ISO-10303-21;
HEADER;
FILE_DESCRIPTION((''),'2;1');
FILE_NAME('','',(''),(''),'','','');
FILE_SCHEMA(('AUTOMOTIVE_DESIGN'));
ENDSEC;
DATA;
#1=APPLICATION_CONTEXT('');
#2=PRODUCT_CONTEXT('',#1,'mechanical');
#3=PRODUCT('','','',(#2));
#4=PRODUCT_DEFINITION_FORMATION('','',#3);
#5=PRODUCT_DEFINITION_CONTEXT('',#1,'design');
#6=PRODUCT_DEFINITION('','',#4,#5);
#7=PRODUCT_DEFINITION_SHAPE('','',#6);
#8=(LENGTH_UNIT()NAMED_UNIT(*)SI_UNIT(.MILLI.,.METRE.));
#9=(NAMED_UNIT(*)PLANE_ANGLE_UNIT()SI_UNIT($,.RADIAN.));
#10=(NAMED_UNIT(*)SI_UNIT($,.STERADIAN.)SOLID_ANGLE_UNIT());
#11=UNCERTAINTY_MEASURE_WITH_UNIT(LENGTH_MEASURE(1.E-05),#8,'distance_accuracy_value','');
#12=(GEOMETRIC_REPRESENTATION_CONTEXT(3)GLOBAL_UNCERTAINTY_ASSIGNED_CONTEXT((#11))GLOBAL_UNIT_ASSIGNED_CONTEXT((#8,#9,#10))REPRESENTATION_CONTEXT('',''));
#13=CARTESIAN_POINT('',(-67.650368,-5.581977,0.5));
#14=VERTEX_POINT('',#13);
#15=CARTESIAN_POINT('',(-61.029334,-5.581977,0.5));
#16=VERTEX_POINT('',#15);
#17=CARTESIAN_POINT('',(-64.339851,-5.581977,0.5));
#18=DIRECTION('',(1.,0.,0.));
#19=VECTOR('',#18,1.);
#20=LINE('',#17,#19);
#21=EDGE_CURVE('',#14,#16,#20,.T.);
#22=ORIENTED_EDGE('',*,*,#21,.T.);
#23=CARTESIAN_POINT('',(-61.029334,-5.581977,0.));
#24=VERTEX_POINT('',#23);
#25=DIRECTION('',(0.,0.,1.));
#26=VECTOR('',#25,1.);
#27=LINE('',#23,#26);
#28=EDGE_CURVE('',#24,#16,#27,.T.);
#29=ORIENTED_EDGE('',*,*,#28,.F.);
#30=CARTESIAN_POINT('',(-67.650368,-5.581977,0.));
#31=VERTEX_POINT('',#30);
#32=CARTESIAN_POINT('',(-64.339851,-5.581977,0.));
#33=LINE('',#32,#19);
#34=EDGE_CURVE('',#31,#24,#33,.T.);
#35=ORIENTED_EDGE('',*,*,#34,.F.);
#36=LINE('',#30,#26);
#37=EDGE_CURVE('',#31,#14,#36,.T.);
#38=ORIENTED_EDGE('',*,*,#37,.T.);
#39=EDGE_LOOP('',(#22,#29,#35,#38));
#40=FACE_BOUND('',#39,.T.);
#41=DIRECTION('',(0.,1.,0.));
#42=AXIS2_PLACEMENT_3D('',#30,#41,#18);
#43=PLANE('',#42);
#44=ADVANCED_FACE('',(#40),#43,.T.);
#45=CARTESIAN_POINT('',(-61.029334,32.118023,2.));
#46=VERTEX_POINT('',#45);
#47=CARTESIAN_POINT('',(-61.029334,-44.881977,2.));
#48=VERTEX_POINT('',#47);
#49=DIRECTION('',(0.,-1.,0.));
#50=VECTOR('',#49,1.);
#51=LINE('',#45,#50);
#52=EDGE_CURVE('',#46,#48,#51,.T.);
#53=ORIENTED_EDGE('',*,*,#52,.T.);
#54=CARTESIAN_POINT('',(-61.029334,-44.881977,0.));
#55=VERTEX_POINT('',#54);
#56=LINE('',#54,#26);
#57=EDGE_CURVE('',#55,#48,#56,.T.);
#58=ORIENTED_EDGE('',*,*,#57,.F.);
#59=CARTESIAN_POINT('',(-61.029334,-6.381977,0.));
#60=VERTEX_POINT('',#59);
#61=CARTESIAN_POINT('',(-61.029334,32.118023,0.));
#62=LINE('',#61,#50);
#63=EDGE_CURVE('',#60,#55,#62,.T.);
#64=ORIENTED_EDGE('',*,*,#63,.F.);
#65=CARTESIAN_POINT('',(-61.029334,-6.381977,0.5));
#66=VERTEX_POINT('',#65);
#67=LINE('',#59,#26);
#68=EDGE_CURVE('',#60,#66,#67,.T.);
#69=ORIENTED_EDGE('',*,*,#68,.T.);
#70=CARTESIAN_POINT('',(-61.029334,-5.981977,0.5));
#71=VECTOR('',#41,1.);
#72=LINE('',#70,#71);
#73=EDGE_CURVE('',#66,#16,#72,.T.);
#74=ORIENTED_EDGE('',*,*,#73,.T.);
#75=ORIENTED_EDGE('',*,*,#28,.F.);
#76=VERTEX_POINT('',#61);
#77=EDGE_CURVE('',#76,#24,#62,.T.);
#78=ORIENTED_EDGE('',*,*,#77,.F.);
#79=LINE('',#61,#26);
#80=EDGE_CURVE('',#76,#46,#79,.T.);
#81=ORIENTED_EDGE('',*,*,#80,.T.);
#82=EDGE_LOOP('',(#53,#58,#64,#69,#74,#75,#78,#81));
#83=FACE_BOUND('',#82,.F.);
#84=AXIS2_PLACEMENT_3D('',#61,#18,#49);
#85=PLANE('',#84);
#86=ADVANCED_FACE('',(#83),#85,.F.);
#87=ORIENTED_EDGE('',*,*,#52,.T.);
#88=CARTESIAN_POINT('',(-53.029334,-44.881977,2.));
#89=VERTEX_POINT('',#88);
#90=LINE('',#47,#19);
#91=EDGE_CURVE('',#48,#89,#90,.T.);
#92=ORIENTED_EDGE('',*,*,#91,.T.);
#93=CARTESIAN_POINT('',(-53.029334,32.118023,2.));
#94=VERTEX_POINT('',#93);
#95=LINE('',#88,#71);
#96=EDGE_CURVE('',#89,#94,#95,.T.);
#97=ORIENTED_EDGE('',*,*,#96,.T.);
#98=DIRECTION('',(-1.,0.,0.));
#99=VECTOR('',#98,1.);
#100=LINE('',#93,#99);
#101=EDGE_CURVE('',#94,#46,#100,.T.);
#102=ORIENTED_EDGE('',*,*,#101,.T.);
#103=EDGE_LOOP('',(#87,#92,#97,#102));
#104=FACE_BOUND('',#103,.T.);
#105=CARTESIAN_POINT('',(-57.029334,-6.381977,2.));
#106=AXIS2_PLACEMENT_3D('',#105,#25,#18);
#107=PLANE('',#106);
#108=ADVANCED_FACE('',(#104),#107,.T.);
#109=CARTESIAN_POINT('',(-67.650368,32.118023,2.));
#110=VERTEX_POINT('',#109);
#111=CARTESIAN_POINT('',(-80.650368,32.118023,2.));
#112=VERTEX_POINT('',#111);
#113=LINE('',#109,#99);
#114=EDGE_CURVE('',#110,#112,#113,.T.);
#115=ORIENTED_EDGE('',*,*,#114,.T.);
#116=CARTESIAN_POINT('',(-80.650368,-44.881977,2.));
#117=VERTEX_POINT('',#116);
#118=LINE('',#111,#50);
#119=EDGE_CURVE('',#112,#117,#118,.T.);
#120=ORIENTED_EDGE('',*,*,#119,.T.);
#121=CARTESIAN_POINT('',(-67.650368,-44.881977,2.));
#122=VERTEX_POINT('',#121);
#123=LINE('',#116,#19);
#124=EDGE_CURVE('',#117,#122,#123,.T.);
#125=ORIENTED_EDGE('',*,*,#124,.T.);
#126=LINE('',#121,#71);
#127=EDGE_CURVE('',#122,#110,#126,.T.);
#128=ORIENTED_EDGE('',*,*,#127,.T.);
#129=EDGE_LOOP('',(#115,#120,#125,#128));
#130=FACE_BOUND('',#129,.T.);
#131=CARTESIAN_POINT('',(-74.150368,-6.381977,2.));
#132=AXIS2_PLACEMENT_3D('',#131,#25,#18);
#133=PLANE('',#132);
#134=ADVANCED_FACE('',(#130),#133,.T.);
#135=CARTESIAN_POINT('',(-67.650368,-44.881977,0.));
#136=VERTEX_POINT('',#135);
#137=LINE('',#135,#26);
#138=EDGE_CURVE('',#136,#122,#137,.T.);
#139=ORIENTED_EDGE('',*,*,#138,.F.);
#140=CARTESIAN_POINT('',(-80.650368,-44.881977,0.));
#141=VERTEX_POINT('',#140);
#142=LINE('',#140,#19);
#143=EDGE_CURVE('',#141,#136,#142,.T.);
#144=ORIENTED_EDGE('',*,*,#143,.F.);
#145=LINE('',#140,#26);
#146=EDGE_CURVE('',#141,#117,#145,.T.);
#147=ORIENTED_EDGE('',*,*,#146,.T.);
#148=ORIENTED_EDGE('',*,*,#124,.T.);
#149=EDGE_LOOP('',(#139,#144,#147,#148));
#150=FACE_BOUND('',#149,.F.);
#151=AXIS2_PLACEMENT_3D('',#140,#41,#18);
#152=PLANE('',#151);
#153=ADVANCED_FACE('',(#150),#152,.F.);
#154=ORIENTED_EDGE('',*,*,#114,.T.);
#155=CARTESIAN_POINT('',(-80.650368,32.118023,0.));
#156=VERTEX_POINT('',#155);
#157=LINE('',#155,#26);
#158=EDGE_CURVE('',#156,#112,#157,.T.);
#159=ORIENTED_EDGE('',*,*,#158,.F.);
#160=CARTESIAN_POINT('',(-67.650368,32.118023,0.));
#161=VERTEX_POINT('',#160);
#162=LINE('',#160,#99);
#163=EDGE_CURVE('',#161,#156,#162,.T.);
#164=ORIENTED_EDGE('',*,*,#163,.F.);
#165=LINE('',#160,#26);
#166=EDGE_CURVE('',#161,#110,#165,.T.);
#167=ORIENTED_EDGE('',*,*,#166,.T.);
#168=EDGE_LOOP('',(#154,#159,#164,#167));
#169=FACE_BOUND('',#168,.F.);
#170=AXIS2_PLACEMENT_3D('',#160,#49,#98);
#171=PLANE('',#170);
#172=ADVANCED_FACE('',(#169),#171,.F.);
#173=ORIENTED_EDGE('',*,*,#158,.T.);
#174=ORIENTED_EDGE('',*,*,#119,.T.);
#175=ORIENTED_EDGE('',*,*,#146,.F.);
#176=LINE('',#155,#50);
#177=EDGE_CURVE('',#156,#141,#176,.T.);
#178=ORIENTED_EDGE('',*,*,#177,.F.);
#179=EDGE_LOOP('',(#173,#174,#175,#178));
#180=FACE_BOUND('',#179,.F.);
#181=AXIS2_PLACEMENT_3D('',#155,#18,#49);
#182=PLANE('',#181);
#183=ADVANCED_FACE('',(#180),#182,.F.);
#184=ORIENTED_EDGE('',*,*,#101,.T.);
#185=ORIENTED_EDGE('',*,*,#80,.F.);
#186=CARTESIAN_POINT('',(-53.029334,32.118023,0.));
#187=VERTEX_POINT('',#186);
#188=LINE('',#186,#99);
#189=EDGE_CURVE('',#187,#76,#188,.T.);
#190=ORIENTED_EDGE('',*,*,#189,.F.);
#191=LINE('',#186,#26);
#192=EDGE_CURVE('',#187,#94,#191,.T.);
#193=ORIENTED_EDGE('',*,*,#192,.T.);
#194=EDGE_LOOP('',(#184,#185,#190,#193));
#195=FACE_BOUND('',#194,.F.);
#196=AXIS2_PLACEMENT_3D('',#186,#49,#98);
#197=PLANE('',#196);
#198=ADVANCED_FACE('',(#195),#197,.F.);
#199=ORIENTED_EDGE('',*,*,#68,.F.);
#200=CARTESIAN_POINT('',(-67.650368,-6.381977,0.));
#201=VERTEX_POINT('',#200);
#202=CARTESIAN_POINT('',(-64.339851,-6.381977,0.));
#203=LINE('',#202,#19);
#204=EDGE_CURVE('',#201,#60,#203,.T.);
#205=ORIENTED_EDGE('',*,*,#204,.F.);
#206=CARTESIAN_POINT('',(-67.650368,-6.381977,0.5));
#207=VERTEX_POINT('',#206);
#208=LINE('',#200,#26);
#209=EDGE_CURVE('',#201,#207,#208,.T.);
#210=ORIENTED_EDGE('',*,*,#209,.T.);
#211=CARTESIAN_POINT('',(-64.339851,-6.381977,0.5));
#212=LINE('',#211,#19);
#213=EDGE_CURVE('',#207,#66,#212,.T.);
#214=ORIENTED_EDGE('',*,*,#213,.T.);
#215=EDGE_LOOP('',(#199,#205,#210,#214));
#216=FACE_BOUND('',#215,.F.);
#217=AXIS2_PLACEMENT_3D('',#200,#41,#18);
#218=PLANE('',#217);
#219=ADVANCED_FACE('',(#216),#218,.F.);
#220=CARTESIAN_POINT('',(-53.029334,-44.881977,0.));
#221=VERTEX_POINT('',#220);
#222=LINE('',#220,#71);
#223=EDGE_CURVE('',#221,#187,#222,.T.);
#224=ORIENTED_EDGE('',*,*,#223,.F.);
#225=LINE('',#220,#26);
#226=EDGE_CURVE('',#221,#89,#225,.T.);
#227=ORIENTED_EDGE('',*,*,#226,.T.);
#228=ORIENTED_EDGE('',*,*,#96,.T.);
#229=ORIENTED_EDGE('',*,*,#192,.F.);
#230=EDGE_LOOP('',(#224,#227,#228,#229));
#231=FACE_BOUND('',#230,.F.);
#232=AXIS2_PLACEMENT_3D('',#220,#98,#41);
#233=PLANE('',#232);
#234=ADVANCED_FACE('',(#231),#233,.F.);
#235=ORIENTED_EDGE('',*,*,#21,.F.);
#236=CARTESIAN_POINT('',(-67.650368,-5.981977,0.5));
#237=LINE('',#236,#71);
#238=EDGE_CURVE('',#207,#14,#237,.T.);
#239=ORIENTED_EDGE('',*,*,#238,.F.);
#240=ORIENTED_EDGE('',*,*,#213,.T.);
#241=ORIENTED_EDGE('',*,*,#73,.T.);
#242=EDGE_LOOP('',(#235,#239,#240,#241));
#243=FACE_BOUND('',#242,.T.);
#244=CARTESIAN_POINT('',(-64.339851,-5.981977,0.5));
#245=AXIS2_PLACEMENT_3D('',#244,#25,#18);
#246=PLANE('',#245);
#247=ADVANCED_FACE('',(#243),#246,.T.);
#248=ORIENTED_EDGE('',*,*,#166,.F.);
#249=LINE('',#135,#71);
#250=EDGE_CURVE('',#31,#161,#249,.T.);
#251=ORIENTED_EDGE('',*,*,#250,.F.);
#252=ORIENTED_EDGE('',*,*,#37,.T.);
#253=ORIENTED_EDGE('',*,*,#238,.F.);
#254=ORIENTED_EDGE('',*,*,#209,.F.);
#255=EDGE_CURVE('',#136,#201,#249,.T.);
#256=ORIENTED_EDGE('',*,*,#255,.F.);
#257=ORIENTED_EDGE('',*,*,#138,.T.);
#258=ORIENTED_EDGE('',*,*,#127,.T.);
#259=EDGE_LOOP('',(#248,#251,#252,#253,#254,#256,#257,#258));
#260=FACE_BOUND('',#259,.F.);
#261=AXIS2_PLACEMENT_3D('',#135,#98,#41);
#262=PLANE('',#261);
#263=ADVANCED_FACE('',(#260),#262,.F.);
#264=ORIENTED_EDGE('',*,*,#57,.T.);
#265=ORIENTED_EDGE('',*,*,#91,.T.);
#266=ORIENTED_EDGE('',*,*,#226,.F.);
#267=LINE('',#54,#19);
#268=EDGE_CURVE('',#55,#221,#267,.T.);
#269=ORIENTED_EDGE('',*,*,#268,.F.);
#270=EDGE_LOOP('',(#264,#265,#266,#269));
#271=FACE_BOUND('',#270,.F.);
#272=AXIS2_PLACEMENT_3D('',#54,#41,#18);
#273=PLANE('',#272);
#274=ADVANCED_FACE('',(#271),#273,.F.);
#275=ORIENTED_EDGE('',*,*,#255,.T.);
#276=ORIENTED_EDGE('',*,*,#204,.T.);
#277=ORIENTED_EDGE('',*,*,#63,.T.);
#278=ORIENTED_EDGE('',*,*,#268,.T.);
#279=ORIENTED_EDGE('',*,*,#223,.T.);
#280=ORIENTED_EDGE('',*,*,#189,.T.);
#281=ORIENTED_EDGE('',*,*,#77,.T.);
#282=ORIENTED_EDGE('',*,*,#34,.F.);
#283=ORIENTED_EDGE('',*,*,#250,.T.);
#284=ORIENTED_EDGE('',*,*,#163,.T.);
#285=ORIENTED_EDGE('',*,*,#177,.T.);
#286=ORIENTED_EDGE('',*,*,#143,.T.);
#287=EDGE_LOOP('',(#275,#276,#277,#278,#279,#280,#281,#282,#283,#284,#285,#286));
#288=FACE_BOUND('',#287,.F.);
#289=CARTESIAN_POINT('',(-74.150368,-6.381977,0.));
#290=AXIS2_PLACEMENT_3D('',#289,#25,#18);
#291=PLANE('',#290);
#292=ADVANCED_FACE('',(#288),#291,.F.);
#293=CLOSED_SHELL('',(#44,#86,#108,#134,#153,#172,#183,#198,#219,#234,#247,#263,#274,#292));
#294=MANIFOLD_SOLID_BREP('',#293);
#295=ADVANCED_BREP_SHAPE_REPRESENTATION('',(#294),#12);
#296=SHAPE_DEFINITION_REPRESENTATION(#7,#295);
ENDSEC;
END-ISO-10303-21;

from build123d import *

# Parameters (mm, degrees)
F0_W     = 6.621034
F0_H     = 0.8
F1_DEPTH = 0.5
F2_DEPTH = 2


with BuildPart() as f1:
    # F0 (on Top) → F1 (new body)
    with BuildSketch(Plane.XY):
        with Locations((-64.339851, -5.981977)):
            Rectangle(F0_W, F0_H)
    extrude(amount=F1_DEPTH)

    # F0 (on Top) → F2 (join)
    with BuildSketch(Plane.XY):
        Polygon((-67.650368, 32.118023), (-80.650368, 32.118023), (-80.650368, -44.881977), (-67.650368, -44.881977), (-67.650368, -6.381977), (-67.650368, -5.581977), align=None)
        Polygon((-61.029334, 32.118023), (-61.029334, -5.581977), (-61.029334, -6.381977), (-61.029334, -44.881977), (-53.029334, -44.881977), (-53.029334, 32.118023), align=None)
    extrude(amount=F2_DEPTH)


solid = f1.part
